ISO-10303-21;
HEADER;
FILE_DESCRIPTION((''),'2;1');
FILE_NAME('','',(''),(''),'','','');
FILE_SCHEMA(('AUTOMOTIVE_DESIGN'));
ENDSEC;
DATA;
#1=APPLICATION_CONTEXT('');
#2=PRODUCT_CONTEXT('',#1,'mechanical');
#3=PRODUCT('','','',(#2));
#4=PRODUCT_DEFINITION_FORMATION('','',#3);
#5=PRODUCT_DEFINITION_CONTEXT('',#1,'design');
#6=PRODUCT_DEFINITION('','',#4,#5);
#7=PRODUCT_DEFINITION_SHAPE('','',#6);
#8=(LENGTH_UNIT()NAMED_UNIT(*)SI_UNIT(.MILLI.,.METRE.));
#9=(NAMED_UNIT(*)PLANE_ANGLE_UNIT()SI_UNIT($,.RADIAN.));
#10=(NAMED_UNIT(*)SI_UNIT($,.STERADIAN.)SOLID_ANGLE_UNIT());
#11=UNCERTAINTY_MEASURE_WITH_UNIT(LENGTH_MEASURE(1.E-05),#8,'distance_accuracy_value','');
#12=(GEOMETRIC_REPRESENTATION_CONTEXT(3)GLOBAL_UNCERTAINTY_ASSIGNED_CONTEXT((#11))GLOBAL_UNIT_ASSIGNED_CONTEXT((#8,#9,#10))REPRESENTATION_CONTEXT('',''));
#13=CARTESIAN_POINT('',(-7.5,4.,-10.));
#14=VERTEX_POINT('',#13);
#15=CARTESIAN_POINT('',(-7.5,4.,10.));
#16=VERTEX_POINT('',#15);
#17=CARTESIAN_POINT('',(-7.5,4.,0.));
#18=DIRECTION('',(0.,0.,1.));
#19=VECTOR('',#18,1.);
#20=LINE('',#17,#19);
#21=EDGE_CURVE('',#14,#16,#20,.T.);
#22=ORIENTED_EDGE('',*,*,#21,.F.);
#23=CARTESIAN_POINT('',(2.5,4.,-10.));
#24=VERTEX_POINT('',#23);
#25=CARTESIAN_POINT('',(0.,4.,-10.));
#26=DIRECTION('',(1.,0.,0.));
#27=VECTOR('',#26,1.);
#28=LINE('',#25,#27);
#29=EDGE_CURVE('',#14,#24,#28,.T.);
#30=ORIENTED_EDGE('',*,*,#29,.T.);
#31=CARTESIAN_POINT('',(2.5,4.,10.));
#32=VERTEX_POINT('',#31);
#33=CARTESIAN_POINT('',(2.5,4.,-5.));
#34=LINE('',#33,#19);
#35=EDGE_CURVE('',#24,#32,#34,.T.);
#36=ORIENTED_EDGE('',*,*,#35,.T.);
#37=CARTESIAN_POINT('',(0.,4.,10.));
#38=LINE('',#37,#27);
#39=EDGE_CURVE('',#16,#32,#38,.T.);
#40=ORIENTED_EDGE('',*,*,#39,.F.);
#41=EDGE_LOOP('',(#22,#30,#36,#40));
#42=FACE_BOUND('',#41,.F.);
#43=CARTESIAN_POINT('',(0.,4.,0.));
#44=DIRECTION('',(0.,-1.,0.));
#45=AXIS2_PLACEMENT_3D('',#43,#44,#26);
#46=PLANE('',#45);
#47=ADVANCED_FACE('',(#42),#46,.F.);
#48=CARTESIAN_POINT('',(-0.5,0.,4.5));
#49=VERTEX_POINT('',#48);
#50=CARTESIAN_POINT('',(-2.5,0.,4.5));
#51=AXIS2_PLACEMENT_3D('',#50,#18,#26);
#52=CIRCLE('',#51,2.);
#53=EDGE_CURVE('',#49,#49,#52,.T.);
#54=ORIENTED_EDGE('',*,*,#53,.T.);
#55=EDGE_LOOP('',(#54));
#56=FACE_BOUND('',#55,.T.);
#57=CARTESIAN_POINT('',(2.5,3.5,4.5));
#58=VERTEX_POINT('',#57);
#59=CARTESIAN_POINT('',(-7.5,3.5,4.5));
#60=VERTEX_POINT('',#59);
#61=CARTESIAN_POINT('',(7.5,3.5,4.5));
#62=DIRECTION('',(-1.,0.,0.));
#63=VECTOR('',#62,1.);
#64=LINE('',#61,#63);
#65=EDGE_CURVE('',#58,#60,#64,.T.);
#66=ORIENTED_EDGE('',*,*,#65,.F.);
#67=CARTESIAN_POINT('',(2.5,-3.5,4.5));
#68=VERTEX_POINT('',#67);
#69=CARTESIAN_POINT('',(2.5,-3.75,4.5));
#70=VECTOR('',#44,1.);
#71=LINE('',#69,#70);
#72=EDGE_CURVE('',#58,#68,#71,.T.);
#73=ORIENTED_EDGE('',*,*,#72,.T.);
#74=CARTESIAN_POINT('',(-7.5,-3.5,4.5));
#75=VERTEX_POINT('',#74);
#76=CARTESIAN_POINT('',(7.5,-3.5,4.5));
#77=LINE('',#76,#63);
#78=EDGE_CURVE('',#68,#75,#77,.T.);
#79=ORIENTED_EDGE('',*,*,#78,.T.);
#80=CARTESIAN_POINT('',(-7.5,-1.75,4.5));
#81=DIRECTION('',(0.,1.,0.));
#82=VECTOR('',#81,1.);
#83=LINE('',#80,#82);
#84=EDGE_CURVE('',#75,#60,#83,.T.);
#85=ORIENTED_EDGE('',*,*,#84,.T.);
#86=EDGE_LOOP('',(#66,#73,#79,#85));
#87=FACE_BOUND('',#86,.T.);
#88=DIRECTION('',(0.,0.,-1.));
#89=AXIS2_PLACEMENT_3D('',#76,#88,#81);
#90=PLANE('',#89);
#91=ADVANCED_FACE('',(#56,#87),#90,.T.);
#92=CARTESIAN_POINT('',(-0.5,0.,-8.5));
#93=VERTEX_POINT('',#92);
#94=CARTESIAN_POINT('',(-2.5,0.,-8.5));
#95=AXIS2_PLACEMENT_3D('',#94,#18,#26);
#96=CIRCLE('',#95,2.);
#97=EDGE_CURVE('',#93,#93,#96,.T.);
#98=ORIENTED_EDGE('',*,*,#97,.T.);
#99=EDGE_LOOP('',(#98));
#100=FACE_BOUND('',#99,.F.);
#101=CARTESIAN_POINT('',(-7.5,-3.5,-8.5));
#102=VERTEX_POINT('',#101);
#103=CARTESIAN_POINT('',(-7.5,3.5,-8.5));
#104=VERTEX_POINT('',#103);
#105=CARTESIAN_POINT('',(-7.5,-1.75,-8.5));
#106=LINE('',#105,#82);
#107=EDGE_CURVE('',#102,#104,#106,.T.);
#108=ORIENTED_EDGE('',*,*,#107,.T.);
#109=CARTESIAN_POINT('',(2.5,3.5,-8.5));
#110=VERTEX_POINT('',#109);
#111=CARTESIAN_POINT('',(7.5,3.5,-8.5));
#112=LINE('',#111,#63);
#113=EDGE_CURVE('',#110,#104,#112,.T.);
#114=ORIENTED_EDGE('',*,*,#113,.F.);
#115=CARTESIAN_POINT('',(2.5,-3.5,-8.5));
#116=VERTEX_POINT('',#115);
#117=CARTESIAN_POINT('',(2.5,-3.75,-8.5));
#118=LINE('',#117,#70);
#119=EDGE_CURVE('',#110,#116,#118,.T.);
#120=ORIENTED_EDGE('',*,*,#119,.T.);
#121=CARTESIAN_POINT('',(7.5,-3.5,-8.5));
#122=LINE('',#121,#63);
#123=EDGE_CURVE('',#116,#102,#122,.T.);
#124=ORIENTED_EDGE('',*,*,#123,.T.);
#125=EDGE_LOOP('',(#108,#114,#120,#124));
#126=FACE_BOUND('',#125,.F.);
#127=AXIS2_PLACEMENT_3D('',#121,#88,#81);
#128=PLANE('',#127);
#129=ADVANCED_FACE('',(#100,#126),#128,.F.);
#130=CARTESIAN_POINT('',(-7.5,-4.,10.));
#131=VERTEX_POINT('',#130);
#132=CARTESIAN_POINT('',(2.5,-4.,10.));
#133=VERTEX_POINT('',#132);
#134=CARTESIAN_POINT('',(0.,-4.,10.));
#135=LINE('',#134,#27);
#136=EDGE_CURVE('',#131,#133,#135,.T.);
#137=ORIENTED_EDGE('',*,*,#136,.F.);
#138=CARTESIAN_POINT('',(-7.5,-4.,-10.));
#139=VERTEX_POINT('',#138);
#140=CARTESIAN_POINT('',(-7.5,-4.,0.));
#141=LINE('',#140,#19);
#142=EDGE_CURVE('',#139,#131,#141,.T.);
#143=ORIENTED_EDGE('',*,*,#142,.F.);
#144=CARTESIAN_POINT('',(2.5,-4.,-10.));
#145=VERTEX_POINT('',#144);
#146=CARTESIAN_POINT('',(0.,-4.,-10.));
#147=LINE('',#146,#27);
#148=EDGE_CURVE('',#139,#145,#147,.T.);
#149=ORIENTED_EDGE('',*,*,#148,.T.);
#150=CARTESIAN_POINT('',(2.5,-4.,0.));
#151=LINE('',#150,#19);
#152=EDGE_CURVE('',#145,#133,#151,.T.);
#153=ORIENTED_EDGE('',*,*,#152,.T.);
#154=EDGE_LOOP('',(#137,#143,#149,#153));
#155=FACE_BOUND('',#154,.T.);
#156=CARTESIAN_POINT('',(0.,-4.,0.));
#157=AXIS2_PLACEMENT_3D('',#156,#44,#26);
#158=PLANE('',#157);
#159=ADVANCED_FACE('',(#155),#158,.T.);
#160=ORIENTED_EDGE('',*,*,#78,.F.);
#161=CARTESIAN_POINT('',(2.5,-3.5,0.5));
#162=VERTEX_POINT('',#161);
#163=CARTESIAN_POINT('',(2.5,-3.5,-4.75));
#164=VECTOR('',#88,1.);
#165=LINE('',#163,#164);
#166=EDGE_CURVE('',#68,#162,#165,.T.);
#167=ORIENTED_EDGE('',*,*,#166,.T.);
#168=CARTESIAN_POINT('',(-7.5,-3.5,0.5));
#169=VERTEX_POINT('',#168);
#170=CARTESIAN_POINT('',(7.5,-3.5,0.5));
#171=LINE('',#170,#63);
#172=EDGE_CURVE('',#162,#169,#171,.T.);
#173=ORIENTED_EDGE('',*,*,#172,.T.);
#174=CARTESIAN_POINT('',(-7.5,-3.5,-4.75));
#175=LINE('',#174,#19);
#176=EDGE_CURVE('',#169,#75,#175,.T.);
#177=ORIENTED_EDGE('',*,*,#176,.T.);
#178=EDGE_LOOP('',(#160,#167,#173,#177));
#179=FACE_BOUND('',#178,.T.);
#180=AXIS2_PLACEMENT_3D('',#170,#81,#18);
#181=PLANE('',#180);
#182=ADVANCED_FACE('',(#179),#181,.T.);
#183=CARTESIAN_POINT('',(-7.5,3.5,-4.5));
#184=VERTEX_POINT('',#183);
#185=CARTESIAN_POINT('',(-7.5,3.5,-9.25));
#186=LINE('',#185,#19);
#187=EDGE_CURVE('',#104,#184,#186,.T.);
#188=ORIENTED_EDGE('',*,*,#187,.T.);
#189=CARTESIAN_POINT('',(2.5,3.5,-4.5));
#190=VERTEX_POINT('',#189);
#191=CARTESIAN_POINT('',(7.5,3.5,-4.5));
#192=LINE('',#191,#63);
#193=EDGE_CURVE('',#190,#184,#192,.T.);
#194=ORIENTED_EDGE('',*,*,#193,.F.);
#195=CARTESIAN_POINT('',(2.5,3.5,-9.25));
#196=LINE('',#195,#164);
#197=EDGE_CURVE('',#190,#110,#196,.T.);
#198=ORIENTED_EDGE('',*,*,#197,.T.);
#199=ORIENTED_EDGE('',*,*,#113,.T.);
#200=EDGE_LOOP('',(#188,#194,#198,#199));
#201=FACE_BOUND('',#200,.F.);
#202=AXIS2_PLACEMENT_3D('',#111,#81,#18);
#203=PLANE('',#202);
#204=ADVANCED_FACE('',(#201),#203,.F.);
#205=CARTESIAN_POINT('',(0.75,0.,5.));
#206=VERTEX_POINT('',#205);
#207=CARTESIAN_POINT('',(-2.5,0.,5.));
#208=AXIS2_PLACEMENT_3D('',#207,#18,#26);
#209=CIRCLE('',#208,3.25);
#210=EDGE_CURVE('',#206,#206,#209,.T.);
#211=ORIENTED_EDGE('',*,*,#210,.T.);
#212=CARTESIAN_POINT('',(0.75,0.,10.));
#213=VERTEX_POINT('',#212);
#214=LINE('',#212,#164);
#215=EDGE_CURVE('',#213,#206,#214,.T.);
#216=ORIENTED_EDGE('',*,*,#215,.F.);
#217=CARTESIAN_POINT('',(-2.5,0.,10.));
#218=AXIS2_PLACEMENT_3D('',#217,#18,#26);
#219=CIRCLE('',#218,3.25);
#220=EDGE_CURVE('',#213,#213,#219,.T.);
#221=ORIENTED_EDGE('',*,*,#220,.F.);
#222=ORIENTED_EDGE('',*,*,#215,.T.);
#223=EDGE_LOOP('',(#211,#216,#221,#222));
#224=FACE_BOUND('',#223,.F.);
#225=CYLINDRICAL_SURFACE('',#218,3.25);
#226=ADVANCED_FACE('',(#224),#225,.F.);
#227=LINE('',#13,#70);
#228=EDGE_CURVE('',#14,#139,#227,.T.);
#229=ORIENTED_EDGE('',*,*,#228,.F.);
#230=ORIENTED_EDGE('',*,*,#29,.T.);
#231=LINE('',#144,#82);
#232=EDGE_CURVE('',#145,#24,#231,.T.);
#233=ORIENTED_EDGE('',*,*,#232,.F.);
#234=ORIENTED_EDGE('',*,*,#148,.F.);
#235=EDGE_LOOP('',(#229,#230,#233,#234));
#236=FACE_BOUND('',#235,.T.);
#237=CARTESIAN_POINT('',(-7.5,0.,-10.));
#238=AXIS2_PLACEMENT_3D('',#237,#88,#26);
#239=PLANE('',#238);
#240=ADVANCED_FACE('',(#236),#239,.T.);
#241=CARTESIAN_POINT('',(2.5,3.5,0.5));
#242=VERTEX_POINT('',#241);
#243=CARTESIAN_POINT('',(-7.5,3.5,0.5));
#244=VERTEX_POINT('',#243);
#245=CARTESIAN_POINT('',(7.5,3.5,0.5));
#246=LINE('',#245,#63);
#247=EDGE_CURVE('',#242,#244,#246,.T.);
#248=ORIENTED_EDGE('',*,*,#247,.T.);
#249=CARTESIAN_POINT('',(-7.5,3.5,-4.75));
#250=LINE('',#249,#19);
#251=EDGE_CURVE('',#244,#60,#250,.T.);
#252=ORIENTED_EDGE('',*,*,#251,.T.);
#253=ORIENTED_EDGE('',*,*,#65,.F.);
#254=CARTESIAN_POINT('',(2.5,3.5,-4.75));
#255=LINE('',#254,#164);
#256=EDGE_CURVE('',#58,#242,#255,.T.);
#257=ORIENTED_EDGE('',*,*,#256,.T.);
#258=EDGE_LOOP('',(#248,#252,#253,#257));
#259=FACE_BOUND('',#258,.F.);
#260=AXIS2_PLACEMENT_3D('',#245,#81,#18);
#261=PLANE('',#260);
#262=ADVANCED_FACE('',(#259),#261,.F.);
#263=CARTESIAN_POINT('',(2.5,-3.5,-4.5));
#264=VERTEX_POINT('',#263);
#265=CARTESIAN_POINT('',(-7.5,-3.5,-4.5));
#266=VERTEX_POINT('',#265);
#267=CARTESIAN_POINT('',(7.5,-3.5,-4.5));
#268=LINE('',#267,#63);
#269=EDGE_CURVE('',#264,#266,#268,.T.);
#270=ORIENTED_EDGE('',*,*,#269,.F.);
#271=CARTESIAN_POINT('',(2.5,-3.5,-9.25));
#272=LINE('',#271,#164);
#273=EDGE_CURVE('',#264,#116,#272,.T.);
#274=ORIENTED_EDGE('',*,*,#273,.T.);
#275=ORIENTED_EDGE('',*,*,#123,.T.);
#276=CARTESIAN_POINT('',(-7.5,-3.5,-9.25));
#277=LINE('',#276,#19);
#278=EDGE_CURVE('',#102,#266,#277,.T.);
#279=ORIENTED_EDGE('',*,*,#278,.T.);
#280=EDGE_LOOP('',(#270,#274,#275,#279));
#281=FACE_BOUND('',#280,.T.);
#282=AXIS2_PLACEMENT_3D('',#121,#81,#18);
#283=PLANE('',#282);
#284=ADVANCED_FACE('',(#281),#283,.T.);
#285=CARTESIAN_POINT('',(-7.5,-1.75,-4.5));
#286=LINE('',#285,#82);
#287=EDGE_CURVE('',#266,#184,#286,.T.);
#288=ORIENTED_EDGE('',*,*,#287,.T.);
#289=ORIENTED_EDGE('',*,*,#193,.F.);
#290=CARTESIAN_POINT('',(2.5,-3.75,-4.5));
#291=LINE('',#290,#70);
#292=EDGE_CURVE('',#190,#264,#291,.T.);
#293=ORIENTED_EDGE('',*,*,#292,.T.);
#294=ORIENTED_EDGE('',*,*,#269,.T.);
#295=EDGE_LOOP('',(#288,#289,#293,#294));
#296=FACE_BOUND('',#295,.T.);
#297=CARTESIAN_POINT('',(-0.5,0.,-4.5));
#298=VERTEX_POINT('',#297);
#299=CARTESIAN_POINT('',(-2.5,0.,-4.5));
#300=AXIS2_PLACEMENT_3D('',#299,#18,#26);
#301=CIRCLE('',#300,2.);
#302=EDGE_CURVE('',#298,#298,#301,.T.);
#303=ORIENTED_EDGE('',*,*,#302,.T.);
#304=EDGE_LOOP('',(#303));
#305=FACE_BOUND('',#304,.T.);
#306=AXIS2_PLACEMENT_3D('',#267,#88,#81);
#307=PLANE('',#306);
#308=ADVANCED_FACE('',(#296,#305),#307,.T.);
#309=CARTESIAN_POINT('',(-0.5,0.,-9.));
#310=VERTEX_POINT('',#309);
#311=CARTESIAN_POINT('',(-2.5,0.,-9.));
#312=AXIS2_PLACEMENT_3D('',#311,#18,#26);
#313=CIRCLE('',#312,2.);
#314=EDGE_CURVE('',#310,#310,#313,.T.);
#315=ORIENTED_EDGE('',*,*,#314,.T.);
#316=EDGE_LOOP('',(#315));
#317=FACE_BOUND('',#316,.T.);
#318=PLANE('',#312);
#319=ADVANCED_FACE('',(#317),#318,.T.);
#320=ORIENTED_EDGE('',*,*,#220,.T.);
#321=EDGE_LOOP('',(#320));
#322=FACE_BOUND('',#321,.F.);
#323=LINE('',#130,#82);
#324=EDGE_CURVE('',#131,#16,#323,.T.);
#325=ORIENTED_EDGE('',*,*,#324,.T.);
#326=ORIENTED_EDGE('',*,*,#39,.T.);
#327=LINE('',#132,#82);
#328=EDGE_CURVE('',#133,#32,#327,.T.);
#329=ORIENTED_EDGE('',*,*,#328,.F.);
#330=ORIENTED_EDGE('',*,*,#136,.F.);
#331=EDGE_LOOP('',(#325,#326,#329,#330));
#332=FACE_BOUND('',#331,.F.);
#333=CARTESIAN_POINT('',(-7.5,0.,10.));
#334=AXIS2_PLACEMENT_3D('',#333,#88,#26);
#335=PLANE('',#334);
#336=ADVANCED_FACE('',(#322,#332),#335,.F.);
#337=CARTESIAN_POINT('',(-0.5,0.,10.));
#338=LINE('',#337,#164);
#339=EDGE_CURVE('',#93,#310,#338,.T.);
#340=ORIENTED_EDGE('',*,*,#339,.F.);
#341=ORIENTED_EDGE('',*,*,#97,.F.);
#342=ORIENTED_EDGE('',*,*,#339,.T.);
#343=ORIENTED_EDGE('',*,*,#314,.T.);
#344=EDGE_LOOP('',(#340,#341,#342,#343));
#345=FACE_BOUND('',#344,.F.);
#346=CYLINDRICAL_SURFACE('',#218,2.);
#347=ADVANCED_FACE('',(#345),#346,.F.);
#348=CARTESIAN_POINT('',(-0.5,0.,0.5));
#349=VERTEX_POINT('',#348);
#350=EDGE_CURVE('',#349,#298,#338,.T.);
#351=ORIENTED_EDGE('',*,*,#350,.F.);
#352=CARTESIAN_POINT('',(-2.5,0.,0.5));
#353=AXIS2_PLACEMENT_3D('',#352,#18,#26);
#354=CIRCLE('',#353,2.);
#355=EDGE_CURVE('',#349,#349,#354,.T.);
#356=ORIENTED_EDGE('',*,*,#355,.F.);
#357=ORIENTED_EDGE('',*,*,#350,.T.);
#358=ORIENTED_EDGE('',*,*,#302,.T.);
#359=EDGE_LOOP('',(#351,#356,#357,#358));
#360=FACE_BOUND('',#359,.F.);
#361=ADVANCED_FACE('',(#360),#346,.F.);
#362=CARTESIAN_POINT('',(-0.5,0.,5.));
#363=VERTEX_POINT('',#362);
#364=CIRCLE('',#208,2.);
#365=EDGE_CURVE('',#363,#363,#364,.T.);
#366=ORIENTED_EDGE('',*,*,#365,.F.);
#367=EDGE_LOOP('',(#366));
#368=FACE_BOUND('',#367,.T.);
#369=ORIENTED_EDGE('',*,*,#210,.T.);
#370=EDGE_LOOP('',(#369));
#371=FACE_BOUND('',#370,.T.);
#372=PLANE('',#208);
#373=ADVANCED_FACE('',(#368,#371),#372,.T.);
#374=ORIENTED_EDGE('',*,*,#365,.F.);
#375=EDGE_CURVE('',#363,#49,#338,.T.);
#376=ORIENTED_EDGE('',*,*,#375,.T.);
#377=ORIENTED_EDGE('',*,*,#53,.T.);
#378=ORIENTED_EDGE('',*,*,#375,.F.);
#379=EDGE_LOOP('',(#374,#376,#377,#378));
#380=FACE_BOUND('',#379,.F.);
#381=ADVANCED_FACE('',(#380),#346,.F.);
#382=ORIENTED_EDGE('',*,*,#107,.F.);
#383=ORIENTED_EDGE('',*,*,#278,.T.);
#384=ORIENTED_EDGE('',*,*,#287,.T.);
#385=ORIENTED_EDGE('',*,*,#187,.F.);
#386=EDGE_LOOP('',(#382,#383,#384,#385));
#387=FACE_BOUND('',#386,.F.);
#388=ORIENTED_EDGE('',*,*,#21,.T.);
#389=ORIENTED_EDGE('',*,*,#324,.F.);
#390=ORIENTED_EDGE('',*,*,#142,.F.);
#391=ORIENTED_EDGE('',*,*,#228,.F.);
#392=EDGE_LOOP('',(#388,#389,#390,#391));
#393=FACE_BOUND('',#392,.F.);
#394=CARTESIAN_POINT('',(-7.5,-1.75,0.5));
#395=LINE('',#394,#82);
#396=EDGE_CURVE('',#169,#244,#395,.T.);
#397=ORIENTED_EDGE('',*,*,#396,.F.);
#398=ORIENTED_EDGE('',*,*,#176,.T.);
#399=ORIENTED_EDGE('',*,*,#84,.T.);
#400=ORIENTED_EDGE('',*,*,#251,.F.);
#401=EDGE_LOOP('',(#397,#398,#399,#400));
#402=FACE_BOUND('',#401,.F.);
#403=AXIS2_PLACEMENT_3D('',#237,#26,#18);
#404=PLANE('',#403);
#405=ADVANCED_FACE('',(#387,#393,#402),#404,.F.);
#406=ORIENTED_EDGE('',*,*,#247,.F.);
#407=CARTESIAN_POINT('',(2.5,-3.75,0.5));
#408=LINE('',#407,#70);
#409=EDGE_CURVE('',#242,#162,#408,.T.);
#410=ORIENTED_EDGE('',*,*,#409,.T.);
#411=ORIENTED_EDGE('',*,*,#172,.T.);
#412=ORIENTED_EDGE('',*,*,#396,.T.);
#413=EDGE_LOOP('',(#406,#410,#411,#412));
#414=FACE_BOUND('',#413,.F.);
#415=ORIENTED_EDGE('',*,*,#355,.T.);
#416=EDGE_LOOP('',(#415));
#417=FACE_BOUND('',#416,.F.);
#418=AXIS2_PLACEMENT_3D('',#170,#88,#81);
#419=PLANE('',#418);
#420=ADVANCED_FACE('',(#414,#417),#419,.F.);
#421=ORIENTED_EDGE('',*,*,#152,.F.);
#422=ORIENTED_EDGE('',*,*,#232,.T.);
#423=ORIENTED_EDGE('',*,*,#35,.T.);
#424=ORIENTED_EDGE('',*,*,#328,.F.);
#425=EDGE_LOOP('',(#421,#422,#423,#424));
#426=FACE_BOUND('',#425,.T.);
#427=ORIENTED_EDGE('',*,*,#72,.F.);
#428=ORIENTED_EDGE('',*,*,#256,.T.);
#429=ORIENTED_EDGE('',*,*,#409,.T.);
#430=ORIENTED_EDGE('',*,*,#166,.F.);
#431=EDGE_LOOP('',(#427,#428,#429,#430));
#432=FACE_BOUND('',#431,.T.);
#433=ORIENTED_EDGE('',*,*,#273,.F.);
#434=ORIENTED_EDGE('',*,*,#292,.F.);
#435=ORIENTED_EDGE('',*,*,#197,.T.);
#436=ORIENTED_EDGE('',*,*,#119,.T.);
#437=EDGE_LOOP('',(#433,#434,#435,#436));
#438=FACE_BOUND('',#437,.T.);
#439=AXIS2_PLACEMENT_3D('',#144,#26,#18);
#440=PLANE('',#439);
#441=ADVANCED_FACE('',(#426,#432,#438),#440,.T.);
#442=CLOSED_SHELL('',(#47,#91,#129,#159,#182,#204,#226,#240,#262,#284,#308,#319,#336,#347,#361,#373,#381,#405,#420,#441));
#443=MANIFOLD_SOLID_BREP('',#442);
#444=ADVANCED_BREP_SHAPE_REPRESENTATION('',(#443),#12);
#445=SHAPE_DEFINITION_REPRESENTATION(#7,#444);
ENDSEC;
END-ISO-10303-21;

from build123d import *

# Parameters (mm, degrees)
F0_W     = 15
F0_H     = 20
F1_DEPTH = 4
F2_R     = 2
F3_DEPTH = 19
F4_R     = 3.25
F4_R_2   = 2
F5_DEPTH = 5
F6_W     = 7
F6_H     = 4
F7_DEPTH = 15.001
F8_W     = 5
F8_H     = 20
F9_DEPTH = 8.001


with BuildPart() as f1:
    # F0 (on Front) → F1 (new body, symmetric)
    with BuildSketch(Plane.XZ):
        Rectangle(F0_W, F0_H)
    extrude(amount=F1_DEPTH, both=True)

    # F2 (on face) → F3 (cut)
    with BuildSketch(Plane.XY.offset(10)):
        with Locations((-2.5, 0)):
            Circle(F2_R)
    extrude(amount=-F3_DEPTH, mode=Mode.SUBTRACT)

    # F4 (on face) → F5 (cut)
    with BuildSketch(Plane.XY.offset(10)):
        with Locations((-2.5, 0)):
            Circle(F4_R)
        with Locations((-2.5, 0)):
            Circle(F4_R_2, mode=Mode.SUBTRACT)
    extrude(amount=-F5_DEPTH, mode=Mode.SUBTRACT)

    # F6 (on face) → F7 (cut, through all)
    with BuildSketch(Plane.YZ.offset(7.5)):
        with Locations((0, 2.5)):
            Rectangle(F6_W, F6_H)
        with Locations((0, -6.5)):
            Rectangle(F6_W, F6_H)
    extrude(amount=-F7_DEPTH, mode=Mode.SUBTRACT)

    # F8 (on face) → F9 (cut, through all)
    with BuildSketch(Plane.XZ.offset(4)):
        with Locations((5, 0)):
            Rectangle(F8_W, F8_H)
    extrude(amount=-F9_DEPTH, mode=Mode.SUBTRACT)


solid = f1.part
